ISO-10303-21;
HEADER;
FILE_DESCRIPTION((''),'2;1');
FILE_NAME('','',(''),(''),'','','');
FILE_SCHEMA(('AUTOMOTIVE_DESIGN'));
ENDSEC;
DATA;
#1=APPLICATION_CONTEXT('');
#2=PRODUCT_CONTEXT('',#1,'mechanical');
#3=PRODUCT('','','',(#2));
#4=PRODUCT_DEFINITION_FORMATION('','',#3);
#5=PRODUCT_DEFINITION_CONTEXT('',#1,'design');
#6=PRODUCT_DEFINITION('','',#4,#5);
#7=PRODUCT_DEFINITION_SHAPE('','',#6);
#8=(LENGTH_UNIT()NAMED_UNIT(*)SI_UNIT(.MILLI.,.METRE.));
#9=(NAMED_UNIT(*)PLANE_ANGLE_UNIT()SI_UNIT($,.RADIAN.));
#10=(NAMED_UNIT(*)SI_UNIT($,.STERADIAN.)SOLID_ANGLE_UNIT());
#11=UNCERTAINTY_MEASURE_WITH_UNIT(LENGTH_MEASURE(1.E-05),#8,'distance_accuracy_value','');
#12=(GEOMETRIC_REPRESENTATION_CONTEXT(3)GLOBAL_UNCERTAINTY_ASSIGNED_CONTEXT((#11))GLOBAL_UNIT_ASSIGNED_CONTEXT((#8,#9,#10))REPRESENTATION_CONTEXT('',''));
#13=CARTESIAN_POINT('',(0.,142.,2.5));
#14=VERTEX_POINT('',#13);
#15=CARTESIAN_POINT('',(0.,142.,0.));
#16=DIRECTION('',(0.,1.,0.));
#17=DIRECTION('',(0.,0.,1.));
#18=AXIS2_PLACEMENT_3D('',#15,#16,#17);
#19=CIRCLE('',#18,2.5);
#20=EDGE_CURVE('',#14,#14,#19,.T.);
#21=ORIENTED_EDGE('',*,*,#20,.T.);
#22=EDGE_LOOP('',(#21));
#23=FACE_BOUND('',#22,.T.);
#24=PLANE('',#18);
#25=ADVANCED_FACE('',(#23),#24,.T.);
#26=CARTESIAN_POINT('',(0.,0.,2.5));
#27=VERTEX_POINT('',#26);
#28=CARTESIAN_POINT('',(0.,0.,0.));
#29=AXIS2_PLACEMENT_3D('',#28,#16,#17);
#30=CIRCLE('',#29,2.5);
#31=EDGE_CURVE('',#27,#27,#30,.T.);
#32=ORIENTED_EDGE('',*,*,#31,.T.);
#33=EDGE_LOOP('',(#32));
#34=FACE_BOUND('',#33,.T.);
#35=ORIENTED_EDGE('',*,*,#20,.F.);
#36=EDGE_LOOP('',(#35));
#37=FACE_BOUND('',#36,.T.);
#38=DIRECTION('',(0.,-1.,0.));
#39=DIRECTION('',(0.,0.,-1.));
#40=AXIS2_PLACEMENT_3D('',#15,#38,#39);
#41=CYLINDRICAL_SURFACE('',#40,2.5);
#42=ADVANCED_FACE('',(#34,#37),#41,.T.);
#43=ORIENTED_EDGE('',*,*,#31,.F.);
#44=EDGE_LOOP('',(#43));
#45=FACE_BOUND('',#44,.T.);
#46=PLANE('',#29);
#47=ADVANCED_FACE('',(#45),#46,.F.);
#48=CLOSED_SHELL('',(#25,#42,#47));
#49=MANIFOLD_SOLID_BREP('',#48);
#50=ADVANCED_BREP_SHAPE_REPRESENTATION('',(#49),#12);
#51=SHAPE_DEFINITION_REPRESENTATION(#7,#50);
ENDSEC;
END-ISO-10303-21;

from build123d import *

# Parameters (mm, degrees)
CROQUIS1_R              = 2.5
SALIENTE_EXTRUIR1_DEPTH = 142


with BuildPart() as part:
    # Croquis1 → Saliente-Extruir1 (new body)
    with BuildSketch(Plane(origin=(0, 0, 0), x_dir=(1, 0, 0), z_dir=(0, 1, 0))):
        Circle(CROQUIS1_R)
    extrude(amount=SALIENTE_EXTRUIR1_DEPTH)


solid = part.part
